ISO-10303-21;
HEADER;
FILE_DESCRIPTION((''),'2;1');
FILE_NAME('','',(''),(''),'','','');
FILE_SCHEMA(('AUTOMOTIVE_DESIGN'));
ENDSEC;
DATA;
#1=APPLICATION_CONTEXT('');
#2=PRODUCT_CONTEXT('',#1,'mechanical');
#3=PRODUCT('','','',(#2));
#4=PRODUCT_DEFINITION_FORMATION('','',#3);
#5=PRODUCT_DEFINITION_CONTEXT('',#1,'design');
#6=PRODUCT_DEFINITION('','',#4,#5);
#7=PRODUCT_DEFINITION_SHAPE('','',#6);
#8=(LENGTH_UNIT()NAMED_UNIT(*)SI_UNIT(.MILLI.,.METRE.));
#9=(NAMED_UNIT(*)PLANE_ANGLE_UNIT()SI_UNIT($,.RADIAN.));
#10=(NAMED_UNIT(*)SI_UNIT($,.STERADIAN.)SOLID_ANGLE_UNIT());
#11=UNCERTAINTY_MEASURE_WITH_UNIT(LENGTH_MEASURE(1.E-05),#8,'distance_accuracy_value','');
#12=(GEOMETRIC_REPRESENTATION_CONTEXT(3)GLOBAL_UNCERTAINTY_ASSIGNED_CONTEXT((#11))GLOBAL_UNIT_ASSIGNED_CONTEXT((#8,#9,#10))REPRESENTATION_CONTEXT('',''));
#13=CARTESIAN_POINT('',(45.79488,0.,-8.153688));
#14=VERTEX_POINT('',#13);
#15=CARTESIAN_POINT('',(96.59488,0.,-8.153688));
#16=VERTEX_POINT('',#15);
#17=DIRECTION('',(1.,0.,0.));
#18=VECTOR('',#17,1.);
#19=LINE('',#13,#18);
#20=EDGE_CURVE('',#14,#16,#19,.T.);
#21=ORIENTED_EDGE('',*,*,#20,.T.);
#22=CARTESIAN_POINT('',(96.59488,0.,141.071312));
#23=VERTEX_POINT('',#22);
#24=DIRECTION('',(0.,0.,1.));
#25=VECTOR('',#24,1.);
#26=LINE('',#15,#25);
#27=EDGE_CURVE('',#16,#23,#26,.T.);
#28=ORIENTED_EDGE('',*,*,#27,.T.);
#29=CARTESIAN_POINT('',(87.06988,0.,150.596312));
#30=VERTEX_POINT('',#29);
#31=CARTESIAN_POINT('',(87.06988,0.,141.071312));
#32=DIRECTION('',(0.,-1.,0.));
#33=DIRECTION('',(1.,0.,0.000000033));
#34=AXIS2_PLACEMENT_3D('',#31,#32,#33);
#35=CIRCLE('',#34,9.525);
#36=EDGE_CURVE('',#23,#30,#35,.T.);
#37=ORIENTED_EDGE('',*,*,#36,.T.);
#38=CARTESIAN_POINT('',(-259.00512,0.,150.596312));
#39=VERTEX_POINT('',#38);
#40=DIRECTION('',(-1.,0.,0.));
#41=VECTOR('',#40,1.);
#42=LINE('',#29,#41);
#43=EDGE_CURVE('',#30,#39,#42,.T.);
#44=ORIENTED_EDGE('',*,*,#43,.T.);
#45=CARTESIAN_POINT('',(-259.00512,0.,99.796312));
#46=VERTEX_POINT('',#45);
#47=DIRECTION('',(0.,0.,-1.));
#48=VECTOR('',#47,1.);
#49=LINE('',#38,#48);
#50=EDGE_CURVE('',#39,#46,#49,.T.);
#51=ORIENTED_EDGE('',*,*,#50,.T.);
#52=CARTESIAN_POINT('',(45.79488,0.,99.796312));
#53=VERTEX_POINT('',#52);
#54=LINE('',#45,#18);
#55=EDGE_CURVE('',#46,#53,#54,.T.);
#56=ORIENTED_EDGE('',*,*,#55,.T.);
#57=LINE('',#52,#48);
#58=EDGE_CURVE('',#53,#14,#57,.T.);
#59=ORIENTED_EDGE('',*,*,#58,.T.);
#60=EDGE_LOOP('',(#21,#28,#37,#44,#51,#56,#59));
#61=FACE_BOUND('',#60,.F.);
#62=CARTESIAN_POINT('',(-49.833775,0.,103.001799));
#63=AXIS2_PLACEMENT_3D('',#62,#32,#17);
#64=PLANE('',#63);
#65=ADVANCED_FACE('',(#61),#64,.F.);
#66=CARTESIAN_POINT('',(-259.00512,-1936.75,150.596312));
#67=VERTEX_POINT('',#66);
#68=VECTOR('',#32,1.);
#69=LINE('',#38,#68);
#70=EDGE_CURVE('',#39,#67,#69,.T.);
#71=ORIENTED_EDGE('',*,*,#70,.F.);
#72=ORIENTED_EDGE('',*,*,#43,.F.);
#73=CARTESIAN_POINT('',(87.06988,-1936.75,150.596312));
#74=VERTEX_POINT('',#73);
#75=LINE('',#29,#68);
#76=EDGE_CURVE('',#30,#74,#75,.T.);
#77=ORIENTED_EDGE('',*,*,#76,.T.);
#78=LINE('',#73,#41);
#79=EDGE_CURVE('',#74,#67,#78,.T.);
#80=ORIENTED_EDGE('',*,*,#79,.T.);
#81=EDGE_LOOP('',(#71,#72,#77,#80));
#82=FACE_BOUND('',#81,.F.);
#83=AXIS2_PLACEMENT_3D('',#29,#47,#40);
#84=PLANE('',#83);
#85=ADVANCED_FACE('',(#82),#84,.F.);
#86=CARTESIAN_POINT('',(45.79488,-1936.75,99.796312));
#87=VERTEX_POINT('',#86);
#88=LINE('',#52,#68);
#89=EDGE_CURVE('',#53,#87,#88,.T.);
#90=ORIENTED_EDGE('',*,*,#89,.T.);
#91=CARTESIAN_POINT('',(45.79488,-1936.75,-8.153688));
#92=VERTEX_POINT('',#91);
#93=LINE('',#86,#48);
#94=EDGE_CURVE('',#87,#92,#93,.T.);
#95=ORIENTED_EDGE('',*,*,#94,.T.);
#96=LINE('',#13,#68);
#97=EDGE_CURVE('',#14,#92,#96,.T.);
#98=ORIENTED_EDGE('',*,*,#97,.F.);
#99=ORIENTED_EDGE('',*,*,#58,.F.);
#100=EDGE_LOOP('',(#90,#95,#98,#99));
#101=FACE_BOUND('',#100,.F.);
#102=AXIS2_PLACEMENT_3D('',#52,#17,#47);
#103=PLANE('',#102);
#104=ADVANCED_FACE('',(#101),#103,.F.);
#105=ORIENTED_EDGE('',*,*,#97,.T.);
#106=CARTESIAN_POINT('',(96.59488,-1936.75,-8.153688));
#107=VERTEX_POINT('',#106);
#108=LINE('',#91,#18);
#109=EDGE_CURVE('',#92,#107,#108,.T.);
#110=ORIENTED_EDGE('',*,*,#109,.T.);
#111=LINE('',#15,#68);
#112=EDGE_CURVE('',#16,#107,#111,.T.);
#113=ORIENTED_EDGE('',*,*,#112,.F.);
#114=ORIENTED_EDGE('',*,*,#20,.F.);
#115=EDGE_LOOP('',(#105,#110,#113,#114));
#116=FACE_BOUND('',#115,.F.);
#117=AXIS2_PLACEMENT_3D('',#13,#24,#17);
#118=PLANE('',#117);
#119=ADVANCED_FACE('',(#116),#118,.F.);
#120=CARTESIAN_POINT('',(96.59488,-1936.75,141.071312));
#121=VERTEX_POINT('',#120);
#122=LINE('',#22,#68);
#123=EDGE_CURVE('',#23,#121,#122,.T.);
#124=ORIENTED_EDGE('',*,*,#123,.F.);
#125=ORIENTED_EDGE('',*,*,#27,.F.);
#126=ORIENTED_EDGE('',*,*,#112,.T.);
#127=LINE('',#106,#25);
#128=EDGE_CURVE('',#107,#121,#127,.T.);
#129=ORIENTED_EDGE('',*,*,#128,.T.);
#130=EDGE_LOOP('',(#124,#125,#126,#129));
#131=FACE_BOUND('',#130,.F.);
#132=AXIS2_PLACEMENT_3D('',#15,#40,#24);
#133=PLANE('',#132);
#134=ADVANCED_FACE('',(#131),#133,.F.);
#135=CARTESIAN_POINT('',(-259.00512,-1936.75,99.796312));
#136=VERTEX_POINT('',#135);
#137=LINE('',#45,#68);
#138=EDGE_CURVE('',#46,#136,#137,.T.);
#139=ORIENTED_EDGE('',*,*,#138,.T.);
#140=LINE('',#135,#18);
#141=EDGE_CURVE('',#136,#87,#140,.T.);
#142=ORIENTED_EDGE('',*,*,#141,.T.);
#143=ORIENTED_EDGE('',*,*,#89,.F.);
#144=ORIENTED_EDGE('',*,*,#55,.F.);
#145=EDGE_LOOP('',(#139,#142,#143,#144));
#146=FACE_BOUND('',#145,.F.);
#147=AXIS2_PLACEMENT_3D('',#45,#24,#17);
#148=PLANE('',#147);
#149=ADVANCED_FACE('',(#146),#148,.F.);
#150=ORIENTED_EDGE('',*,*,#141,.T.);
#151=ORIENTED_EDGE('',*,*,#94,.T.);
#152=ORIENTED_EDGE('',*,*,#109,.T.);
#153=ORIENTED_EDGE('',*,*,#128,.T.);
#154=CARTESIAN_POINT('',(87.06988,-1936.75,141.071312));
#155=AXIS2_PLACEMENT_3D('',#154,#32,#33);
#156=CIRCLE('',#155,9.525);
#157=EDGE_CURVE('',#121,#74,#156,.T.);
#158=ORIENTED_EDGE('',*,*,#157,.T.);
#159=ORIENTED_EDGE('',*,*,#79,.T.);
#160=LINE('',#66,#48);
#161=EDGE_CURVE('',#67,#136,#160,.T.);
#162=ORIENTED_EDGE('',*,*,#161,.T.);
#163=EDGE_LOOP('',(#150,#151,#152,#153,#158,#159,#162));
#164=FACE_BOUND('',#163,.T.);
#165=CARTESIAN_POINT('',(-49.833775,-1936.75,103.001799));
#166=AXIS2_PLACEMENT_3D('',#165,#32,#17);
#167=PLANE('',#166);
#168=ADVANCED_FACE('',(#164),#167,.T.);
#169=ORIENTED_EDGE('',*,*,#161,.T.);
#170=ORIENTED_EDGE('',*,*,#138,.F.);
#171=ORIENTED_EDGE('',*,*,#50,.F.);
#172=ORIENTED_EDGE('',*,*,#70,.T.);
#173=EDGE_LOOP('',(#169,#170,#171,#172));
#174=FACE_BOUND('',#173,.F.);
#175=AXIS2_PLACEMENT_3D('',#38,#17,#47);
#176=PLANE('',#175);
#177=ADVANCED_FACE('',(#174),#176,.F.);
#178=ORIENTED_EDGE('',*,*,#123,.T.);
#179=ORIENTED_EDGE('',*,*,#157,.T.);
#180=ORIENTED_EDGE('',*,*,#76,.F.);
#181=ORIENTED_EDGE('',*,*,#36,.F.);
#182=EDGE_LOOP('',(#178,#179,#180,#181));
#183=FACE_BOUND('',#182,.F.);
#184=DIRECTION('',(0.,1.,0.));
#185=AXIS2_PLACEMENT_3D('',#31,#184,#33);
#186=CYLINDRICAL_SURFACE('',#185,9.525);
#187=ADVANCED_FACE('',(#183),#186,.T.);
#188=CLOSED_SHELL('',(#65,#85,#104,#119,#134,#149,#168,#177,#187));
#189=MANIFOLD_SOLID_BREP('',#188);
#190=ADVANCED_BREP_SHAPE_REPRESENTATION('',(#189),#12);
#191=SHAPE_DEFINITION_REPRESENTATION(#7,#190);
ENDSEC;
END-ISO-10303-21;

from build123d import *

# Parameters (mm, degrees)
F1_DEPTH = 1936.75


with BuildPart() as f1:
    # F0 (on Front) → F1 (new body)
    with BuildSketch(Plane.XZ):
        with BuildLine():
            Line((45.79488, 99.796312), (45.79488, -8.153688))
            Line((45.79488, -8.153688), (96.59488, -8.153688))
            Line((96.59488, -8.153688), (96.59488, 141.071312))
            ThreePointArc((96.59488, 141.071312), (93.805072, 147.806504), (87.06988, 150.596312))
            Line((87.06988, 150.596312), (-259.00512, 150.596312))
            Line((-259.00512, 150.596312), (-259.00512, 99.796312))
            Line((-259.00512, 99.796312), (45.79488, 99.796312))
        make_face()
    extrude(amount=F1_DEPTH)


solid = f1.part
